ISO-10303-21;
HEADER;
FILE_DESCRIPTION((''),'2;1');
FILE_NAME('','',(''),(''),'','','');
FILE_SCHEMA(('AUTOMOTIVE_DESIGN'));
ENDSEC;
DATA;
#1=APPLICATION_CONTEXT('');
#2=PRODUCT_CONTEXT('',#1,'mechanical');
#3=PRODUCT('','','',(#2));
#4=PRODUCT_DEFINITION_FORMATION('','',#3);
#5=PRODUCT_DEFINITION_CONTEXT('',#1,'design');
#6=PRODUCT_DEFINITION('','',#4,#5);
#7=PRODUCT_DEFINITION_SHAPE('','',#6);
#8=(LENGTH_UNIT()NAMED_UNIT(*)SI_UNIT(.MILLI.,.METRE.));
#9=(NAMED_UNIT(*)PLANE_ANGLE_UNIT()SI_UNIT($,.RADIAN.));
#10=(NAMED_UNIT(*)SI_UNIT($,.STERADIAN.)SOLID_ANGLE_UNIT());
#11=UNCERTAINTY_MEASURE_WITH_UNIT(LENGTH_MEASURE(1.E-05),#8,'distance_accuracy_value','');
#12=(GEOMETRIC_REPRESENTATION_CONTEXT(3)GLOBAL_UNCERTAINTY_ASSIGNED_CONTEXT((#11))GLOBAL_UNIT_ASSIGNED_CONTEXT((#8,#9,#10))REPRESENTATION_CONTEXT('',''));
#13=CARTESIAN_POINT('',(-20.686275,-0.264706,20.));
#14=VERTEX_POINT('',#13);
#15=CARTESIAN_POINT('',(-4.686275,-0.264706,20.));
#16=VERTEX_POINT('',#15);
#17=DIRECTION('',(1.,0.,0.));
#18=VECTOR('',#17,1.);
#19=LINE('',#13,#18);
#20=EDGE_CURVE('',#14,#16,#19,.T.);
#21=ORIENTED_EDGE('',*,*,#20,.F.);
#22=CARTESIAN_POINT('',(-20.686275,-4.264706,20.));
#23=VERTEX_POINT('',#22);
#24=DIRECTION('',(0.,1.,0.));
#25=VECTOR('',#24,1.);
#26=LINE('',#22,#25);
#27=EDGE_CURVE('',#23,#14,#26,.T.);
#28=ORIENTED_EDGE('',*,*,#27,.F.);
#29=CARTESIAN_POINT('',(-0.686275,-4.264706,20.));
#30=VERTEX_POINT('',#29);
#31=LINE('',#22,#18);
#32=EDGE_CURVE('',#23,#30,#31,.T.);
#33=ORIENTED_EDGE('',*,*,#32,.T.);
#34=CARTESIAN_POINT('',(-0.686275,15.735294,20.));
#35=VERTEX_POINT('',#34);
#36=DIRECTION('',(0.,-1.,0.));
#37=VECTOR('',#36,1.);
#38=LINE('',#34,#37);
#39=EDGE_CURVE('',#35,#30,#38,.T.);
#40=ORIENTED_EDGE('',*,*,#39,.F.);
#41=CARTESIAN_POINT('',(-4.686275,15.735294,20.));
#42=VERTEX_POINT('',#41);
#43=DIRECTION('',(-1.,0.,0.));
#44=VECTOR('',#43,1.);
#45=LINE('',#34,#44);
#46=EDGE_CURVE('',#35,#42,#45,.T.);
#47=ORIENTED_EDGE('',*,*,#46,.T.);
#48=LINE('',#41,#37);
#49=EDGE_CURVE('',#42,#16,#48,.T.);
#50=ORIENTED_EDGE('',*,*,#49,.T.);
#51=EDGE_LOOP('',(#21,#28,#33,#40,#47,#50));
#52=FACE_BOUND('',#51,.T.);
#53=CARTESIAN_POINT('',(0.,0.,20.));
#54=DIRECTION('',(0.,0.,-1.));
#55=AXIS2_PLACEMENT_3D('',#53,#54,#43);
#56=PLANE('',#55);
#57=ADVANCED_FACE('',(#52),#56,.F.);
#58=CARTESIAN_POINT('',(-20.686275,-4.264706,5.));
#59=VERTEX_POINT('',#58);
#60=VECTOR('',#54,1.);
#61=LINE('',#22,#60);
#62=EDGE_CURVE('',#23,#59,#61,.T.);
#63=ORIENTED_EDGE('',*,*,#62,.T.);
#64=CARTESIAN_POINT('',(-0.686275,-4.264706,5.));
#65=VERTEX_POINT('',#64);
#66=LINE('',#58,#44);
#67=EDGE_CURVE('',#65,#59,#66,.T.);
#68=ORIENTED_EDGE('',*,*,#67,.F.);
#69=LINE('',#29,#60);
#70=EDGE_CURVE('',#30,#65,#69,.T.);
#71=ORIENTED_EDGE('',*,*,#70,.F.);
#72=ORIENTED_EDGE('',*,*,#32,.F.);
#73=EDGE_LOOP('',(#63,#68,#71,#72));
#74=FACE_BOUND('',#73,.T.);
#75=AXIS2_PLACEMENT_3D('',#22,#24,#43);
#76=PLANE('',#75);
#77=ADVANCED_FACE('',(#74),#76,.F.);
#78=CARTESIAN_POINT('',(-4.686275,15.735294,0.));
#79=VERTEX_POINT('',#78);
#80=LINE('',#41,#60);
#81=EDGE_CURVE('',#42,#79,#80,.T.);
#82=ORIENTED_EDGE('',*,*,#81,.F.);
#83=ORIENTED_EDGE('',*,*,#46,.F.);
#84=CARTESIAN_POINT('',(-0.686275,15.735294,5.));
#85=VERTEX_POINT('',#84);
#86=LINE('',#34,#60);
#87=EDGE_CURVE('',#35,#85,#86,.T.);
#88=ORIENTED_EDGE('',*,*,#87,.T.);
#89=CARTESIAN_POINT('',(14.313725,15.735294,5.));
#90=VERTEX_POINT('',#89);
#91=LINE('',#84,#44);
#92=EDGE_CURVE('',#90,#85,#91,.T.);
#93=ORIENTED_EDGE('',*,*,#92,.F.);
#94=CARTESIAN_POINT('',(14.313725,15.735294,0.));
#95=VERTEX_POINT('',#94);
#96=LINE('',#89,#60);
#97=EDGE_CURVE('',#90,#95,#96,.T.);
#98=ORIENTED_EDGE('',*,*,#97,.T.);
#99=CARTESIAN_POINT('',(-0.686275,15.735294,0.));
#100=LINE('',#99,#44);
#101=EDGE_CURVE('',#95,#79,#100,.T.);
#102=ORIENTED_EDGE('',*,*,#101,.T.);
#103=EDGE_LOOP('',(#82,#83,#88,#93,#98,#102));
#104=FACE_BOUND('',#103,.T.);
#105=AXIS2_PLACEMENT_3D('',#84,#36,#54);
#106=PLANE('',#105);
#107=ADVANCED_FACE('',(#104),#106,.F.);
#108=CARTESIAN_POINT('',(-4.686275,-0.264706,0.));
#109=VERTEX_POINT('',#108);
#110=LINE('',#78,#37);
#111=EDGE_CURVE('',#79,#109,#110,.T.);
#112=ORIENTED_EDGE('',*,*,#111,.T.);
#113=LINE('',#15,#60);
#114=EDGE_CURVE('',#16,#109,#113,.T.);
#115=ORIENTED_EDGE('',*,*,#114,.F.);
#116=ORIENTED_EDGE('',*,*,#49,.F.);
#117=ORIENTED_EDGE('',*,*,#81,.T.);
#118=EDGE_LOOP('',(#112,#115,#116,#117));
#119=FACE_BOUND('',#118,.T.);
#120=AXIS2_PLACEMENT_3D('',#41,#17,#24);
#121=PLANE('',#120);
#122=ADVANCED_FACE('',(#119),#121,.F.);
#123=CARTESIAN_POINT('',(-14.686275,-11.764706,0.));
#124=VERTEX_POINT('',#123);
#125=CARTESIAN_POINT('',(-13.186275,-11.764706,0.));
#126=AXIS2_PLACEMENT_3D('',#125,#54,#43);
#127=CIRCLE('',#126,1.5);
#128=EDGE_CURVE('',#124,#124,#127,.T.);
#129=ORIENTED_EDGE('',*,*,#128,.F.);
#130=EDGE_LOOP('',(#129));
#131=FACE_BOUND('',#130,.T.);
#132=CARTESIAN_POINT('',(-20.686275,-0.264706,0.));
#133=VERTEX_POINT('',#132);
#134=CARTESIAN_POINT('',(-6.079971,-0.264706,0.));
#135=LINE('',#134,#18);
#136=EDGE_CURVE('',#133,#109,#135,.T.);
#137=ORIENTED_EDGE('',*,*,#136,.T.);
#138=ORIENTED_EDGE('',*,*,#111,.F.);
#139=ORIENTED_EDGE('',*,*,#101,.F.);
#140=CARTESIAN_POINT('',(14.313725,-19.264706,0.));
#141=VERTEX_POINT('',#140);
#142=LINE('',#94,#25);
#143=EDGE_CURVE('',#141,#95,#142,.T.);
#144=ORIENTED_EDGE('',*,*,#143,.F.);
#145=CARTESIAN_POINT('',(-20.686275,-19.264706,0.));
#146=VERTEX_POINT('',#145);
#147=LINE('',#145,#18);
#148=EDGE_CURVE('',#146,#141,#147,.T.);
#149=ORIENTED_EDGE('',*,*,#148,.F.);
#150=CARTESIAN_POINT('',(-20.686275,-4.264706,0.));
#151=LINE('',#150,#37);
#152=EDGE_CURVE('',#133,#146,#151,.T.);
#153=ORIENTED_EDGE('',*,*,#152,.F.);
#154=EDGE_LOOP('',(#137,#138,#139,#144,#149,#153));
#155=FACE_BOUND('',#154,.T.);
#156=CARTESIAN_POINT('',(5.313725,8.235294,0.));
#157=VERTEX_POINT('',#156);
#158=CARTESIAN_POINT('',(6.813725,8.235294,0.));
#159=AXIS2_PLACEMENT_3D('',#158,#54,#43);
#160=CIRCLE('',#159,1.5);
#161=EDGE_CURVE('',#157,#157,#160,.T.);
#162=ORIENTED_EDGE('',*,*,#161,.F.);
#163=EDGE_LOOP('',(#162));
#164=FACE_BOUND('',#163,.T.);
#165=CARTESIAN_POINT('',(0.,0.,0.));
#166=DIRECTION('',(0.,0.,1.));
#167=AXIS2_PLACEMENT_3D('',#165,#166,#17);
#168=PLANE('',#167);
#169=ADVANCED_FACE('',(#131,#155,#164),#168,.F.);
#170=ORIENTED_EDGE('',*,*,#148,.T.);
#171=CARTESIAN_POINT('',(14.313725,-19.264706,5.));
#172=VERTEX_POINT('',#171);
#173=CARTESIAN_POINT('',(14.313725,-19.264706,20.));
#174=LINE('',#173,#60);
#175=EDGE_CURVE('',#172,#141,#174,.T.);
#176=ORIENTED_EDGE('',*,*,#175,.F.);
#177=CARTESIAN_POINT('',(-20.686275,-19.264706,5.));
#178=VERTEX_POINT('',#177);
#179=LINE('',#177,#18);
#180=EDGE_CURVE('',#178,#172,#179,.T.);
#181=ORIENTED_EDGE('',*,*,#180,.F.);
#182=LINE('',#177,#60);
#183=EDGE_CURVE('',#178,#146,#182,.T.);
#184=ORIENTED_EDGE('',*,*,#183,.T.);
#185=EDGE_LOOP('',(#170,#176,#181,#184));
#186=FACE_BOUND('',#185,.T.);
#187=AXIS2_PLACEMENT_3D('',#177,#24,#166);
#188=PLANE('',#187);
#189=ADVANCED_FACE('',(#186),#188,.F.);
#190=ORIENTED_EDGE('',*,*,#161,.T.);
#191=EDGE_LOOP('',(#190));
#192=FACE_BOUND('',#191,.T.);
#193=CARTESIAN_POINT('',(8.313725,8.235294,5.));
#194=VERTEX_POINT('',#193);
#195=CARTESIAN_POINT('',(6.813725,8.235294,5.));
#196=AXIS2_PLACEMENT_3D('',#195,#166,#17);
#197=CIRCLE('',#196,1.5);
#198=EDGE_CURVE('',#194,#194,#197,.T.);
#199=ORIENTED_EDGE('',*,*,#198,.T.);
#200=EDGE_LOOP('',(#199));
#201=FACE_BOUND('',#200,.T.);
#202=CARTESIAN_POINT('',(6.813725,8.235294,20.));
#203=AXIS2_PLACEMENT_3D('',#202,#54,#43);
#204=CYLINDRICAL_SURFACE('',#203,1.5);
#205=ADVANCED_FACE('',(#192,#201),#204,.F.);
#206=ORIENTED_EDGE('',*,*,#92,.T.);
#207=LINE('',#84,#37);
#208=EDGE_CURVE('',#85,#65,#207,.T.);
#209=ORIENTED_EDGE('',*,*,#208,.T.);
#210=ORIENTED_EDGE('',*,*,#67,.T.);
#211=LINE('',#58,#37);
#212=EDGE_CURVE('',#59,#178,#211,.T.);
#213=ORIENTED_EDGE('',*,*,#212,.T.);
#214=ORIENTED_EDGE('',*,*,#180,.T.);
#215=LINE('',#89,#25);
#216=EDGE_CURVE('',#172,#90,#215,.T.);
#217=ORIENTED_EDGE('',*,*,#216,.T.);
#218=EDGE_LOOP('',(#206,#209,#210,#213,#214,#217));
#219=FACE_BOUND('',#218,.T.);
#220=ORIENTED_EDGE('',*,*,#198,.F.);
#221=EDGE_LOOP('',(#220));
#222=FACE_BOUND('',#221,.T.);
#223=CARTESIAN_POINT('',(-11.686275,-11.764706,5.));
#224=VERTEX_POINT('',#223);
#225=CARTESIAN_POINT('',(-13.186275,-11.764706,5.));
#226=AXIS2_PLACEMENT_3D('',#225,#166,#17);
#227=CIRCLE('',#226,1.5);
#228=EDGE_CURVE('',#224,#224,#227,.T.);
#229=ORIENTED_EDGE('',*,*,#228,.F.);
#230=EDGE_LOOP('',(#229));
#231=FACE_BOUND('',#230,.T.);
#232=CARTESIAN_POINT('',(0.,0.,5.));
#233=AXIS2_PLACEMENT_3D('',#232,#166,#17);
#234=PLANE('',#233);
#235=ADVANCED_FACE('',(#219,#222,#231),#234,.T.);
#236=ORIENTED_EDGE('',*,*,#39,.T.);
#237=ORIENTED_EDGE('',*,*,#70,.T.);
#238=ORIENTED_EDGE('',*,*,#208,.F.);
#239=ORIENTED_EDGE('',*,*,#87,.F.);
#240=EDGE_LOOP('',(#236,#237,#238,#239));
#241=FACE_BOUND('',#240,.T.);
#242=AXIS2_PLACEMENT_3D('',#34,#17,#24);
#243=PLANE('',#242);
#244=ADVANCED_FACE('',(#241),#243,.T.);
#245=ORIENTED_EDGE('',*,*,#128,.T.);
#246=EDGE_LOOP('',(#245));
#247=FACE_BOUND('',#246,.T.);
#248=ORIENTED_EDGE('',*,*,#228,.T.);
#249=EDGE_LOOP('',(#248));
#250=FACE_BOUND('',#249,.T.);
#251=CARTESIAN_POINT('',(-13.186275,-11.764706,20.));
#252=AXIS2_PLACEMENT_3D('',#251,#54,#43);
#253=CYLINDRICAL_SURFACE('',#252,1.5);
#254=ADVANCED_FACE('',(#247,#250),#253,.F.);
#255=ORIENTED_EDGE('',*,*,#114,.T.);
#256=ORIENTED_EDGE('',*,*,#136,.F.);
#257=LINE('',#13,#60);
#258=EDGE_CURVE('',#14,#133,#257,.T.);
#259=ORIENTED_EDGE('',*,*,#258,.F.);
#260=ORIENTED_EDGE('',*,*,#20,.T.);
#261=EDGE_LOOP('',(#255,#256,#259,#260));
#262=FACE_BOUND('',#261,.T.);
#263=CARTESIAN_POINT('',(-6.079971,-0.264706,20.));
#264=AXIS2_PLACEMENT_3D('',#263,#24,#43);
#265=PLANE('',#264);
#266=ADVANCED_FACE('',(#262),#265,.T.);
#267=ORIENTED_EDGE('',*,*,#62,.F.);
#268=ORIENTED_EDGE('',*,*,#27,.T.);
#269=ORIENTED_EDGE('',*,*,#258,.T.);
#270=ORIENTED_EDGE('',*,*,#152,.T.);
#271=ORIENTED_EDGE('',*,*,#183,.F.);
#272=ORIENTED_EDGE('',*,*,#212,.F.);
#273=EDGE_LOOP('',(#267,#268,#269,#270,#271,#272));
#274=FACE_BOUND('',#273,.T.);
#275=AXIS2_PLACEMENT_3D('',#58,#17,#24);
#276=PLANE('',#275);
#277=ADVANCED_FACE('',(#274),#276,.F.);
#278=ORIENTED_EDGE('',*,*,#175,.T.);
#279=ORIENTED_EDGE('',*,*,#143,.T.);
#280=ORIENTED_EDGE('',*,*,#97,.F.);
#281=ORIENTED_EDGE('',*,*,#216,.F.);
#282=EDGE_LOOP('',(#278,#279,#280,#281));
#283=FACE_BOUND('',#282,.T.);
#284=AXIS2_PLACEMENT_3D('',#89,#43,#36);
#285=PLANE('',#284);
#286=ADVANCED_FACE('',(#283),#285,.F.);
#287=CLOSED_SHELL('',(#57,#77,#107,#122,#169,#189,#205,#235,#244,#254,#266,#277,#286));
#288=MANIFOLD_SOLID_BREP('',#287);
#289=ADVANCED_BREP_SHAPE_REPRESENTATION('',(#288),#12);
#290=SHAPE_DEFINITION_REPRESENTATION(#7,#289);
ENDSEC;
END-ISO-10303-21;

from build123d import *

# Parameters (mm, degrees)
BOSS_EXTRUDE1_DEPTH = 5
BOSS_EXTRUDE2_DEPTH = 20
SKETCH3_W           = 20
SKETCH3_H           = 15
CUT_EXTRUDE1_DEPTH  = 21
SKETCH4_R           = 1.5
CUT_EXTRUDE2_DEPTH  = 21


with BuildPart() as part:
    # Sketch1 → Boss-Extrude1 (new body)
    with BuildSketch(Plane.XY):
        Polygon((14.31372549, -4.264705882), (34.31372549, -4.264705882), (34.31372549, -19.264705882), (-20.68627451, -19.264705882), (-20.68627451, -4.264705882), (-0.68627451, -4.264705882), (-0.68627451, 15.735294118), (14.31372549, 15.735294118), align=None)
    extrude(amount=BOSS_EXTRUDE1_DEPTH)

    # Sketch2 → Boss-Extrude2 (add)
    with BuildSketch(Plane(origin=(0, 0, 0), x_dir=(-1, 0, 0), z_dir=(0, 0, -1))):
        Polygon((0.68627451, 15.735294118), (4.68627451, 15.735294118), (4.68627451, -0.264705882), (6.079970528, -0.264705882), (20.68627451, -0.264705882), (20.68627451, -4.264705882), (0.68627451, -4.264705882), align=None)
    extrude(amount=-BOSS_EXTRUDE2_DEPTH)

    # Sketch3 → Cut-Extrude1 (cut, through all)
    with BuildSketch(Plane(origin=(0, 0, 0), x_dir=(-1, 0, 0), z_dir=(0, 0, -1))):
        with Locations((-24.31372549, -11.764705882)):
            Rectangle(SKETCH3_W, SKETCH3_H)
    extrude(amount=-CUT_EXTRUDE1_DEPTH, mode=Mode.SUBTRACT)

    # Sketch4 → Cut-Extrude2 (cut, through all)
    with BuildSketch(Plane(origin=(0, 0, 0), x_dir=(-1, 0, 0), z_dir=(0, 0, -1))):
        with Locations((-6.81372549, 8.235294118)):
            Circle(SKETCH4_R)
        with Locations((13.18627451, -11.764705882)):
            Circle(SKETCH4_R)
    extrude(amount=-CUT_EXTRUDE2_DEPTH, mode=Mode.SUBTRACT)


solid = part.part
